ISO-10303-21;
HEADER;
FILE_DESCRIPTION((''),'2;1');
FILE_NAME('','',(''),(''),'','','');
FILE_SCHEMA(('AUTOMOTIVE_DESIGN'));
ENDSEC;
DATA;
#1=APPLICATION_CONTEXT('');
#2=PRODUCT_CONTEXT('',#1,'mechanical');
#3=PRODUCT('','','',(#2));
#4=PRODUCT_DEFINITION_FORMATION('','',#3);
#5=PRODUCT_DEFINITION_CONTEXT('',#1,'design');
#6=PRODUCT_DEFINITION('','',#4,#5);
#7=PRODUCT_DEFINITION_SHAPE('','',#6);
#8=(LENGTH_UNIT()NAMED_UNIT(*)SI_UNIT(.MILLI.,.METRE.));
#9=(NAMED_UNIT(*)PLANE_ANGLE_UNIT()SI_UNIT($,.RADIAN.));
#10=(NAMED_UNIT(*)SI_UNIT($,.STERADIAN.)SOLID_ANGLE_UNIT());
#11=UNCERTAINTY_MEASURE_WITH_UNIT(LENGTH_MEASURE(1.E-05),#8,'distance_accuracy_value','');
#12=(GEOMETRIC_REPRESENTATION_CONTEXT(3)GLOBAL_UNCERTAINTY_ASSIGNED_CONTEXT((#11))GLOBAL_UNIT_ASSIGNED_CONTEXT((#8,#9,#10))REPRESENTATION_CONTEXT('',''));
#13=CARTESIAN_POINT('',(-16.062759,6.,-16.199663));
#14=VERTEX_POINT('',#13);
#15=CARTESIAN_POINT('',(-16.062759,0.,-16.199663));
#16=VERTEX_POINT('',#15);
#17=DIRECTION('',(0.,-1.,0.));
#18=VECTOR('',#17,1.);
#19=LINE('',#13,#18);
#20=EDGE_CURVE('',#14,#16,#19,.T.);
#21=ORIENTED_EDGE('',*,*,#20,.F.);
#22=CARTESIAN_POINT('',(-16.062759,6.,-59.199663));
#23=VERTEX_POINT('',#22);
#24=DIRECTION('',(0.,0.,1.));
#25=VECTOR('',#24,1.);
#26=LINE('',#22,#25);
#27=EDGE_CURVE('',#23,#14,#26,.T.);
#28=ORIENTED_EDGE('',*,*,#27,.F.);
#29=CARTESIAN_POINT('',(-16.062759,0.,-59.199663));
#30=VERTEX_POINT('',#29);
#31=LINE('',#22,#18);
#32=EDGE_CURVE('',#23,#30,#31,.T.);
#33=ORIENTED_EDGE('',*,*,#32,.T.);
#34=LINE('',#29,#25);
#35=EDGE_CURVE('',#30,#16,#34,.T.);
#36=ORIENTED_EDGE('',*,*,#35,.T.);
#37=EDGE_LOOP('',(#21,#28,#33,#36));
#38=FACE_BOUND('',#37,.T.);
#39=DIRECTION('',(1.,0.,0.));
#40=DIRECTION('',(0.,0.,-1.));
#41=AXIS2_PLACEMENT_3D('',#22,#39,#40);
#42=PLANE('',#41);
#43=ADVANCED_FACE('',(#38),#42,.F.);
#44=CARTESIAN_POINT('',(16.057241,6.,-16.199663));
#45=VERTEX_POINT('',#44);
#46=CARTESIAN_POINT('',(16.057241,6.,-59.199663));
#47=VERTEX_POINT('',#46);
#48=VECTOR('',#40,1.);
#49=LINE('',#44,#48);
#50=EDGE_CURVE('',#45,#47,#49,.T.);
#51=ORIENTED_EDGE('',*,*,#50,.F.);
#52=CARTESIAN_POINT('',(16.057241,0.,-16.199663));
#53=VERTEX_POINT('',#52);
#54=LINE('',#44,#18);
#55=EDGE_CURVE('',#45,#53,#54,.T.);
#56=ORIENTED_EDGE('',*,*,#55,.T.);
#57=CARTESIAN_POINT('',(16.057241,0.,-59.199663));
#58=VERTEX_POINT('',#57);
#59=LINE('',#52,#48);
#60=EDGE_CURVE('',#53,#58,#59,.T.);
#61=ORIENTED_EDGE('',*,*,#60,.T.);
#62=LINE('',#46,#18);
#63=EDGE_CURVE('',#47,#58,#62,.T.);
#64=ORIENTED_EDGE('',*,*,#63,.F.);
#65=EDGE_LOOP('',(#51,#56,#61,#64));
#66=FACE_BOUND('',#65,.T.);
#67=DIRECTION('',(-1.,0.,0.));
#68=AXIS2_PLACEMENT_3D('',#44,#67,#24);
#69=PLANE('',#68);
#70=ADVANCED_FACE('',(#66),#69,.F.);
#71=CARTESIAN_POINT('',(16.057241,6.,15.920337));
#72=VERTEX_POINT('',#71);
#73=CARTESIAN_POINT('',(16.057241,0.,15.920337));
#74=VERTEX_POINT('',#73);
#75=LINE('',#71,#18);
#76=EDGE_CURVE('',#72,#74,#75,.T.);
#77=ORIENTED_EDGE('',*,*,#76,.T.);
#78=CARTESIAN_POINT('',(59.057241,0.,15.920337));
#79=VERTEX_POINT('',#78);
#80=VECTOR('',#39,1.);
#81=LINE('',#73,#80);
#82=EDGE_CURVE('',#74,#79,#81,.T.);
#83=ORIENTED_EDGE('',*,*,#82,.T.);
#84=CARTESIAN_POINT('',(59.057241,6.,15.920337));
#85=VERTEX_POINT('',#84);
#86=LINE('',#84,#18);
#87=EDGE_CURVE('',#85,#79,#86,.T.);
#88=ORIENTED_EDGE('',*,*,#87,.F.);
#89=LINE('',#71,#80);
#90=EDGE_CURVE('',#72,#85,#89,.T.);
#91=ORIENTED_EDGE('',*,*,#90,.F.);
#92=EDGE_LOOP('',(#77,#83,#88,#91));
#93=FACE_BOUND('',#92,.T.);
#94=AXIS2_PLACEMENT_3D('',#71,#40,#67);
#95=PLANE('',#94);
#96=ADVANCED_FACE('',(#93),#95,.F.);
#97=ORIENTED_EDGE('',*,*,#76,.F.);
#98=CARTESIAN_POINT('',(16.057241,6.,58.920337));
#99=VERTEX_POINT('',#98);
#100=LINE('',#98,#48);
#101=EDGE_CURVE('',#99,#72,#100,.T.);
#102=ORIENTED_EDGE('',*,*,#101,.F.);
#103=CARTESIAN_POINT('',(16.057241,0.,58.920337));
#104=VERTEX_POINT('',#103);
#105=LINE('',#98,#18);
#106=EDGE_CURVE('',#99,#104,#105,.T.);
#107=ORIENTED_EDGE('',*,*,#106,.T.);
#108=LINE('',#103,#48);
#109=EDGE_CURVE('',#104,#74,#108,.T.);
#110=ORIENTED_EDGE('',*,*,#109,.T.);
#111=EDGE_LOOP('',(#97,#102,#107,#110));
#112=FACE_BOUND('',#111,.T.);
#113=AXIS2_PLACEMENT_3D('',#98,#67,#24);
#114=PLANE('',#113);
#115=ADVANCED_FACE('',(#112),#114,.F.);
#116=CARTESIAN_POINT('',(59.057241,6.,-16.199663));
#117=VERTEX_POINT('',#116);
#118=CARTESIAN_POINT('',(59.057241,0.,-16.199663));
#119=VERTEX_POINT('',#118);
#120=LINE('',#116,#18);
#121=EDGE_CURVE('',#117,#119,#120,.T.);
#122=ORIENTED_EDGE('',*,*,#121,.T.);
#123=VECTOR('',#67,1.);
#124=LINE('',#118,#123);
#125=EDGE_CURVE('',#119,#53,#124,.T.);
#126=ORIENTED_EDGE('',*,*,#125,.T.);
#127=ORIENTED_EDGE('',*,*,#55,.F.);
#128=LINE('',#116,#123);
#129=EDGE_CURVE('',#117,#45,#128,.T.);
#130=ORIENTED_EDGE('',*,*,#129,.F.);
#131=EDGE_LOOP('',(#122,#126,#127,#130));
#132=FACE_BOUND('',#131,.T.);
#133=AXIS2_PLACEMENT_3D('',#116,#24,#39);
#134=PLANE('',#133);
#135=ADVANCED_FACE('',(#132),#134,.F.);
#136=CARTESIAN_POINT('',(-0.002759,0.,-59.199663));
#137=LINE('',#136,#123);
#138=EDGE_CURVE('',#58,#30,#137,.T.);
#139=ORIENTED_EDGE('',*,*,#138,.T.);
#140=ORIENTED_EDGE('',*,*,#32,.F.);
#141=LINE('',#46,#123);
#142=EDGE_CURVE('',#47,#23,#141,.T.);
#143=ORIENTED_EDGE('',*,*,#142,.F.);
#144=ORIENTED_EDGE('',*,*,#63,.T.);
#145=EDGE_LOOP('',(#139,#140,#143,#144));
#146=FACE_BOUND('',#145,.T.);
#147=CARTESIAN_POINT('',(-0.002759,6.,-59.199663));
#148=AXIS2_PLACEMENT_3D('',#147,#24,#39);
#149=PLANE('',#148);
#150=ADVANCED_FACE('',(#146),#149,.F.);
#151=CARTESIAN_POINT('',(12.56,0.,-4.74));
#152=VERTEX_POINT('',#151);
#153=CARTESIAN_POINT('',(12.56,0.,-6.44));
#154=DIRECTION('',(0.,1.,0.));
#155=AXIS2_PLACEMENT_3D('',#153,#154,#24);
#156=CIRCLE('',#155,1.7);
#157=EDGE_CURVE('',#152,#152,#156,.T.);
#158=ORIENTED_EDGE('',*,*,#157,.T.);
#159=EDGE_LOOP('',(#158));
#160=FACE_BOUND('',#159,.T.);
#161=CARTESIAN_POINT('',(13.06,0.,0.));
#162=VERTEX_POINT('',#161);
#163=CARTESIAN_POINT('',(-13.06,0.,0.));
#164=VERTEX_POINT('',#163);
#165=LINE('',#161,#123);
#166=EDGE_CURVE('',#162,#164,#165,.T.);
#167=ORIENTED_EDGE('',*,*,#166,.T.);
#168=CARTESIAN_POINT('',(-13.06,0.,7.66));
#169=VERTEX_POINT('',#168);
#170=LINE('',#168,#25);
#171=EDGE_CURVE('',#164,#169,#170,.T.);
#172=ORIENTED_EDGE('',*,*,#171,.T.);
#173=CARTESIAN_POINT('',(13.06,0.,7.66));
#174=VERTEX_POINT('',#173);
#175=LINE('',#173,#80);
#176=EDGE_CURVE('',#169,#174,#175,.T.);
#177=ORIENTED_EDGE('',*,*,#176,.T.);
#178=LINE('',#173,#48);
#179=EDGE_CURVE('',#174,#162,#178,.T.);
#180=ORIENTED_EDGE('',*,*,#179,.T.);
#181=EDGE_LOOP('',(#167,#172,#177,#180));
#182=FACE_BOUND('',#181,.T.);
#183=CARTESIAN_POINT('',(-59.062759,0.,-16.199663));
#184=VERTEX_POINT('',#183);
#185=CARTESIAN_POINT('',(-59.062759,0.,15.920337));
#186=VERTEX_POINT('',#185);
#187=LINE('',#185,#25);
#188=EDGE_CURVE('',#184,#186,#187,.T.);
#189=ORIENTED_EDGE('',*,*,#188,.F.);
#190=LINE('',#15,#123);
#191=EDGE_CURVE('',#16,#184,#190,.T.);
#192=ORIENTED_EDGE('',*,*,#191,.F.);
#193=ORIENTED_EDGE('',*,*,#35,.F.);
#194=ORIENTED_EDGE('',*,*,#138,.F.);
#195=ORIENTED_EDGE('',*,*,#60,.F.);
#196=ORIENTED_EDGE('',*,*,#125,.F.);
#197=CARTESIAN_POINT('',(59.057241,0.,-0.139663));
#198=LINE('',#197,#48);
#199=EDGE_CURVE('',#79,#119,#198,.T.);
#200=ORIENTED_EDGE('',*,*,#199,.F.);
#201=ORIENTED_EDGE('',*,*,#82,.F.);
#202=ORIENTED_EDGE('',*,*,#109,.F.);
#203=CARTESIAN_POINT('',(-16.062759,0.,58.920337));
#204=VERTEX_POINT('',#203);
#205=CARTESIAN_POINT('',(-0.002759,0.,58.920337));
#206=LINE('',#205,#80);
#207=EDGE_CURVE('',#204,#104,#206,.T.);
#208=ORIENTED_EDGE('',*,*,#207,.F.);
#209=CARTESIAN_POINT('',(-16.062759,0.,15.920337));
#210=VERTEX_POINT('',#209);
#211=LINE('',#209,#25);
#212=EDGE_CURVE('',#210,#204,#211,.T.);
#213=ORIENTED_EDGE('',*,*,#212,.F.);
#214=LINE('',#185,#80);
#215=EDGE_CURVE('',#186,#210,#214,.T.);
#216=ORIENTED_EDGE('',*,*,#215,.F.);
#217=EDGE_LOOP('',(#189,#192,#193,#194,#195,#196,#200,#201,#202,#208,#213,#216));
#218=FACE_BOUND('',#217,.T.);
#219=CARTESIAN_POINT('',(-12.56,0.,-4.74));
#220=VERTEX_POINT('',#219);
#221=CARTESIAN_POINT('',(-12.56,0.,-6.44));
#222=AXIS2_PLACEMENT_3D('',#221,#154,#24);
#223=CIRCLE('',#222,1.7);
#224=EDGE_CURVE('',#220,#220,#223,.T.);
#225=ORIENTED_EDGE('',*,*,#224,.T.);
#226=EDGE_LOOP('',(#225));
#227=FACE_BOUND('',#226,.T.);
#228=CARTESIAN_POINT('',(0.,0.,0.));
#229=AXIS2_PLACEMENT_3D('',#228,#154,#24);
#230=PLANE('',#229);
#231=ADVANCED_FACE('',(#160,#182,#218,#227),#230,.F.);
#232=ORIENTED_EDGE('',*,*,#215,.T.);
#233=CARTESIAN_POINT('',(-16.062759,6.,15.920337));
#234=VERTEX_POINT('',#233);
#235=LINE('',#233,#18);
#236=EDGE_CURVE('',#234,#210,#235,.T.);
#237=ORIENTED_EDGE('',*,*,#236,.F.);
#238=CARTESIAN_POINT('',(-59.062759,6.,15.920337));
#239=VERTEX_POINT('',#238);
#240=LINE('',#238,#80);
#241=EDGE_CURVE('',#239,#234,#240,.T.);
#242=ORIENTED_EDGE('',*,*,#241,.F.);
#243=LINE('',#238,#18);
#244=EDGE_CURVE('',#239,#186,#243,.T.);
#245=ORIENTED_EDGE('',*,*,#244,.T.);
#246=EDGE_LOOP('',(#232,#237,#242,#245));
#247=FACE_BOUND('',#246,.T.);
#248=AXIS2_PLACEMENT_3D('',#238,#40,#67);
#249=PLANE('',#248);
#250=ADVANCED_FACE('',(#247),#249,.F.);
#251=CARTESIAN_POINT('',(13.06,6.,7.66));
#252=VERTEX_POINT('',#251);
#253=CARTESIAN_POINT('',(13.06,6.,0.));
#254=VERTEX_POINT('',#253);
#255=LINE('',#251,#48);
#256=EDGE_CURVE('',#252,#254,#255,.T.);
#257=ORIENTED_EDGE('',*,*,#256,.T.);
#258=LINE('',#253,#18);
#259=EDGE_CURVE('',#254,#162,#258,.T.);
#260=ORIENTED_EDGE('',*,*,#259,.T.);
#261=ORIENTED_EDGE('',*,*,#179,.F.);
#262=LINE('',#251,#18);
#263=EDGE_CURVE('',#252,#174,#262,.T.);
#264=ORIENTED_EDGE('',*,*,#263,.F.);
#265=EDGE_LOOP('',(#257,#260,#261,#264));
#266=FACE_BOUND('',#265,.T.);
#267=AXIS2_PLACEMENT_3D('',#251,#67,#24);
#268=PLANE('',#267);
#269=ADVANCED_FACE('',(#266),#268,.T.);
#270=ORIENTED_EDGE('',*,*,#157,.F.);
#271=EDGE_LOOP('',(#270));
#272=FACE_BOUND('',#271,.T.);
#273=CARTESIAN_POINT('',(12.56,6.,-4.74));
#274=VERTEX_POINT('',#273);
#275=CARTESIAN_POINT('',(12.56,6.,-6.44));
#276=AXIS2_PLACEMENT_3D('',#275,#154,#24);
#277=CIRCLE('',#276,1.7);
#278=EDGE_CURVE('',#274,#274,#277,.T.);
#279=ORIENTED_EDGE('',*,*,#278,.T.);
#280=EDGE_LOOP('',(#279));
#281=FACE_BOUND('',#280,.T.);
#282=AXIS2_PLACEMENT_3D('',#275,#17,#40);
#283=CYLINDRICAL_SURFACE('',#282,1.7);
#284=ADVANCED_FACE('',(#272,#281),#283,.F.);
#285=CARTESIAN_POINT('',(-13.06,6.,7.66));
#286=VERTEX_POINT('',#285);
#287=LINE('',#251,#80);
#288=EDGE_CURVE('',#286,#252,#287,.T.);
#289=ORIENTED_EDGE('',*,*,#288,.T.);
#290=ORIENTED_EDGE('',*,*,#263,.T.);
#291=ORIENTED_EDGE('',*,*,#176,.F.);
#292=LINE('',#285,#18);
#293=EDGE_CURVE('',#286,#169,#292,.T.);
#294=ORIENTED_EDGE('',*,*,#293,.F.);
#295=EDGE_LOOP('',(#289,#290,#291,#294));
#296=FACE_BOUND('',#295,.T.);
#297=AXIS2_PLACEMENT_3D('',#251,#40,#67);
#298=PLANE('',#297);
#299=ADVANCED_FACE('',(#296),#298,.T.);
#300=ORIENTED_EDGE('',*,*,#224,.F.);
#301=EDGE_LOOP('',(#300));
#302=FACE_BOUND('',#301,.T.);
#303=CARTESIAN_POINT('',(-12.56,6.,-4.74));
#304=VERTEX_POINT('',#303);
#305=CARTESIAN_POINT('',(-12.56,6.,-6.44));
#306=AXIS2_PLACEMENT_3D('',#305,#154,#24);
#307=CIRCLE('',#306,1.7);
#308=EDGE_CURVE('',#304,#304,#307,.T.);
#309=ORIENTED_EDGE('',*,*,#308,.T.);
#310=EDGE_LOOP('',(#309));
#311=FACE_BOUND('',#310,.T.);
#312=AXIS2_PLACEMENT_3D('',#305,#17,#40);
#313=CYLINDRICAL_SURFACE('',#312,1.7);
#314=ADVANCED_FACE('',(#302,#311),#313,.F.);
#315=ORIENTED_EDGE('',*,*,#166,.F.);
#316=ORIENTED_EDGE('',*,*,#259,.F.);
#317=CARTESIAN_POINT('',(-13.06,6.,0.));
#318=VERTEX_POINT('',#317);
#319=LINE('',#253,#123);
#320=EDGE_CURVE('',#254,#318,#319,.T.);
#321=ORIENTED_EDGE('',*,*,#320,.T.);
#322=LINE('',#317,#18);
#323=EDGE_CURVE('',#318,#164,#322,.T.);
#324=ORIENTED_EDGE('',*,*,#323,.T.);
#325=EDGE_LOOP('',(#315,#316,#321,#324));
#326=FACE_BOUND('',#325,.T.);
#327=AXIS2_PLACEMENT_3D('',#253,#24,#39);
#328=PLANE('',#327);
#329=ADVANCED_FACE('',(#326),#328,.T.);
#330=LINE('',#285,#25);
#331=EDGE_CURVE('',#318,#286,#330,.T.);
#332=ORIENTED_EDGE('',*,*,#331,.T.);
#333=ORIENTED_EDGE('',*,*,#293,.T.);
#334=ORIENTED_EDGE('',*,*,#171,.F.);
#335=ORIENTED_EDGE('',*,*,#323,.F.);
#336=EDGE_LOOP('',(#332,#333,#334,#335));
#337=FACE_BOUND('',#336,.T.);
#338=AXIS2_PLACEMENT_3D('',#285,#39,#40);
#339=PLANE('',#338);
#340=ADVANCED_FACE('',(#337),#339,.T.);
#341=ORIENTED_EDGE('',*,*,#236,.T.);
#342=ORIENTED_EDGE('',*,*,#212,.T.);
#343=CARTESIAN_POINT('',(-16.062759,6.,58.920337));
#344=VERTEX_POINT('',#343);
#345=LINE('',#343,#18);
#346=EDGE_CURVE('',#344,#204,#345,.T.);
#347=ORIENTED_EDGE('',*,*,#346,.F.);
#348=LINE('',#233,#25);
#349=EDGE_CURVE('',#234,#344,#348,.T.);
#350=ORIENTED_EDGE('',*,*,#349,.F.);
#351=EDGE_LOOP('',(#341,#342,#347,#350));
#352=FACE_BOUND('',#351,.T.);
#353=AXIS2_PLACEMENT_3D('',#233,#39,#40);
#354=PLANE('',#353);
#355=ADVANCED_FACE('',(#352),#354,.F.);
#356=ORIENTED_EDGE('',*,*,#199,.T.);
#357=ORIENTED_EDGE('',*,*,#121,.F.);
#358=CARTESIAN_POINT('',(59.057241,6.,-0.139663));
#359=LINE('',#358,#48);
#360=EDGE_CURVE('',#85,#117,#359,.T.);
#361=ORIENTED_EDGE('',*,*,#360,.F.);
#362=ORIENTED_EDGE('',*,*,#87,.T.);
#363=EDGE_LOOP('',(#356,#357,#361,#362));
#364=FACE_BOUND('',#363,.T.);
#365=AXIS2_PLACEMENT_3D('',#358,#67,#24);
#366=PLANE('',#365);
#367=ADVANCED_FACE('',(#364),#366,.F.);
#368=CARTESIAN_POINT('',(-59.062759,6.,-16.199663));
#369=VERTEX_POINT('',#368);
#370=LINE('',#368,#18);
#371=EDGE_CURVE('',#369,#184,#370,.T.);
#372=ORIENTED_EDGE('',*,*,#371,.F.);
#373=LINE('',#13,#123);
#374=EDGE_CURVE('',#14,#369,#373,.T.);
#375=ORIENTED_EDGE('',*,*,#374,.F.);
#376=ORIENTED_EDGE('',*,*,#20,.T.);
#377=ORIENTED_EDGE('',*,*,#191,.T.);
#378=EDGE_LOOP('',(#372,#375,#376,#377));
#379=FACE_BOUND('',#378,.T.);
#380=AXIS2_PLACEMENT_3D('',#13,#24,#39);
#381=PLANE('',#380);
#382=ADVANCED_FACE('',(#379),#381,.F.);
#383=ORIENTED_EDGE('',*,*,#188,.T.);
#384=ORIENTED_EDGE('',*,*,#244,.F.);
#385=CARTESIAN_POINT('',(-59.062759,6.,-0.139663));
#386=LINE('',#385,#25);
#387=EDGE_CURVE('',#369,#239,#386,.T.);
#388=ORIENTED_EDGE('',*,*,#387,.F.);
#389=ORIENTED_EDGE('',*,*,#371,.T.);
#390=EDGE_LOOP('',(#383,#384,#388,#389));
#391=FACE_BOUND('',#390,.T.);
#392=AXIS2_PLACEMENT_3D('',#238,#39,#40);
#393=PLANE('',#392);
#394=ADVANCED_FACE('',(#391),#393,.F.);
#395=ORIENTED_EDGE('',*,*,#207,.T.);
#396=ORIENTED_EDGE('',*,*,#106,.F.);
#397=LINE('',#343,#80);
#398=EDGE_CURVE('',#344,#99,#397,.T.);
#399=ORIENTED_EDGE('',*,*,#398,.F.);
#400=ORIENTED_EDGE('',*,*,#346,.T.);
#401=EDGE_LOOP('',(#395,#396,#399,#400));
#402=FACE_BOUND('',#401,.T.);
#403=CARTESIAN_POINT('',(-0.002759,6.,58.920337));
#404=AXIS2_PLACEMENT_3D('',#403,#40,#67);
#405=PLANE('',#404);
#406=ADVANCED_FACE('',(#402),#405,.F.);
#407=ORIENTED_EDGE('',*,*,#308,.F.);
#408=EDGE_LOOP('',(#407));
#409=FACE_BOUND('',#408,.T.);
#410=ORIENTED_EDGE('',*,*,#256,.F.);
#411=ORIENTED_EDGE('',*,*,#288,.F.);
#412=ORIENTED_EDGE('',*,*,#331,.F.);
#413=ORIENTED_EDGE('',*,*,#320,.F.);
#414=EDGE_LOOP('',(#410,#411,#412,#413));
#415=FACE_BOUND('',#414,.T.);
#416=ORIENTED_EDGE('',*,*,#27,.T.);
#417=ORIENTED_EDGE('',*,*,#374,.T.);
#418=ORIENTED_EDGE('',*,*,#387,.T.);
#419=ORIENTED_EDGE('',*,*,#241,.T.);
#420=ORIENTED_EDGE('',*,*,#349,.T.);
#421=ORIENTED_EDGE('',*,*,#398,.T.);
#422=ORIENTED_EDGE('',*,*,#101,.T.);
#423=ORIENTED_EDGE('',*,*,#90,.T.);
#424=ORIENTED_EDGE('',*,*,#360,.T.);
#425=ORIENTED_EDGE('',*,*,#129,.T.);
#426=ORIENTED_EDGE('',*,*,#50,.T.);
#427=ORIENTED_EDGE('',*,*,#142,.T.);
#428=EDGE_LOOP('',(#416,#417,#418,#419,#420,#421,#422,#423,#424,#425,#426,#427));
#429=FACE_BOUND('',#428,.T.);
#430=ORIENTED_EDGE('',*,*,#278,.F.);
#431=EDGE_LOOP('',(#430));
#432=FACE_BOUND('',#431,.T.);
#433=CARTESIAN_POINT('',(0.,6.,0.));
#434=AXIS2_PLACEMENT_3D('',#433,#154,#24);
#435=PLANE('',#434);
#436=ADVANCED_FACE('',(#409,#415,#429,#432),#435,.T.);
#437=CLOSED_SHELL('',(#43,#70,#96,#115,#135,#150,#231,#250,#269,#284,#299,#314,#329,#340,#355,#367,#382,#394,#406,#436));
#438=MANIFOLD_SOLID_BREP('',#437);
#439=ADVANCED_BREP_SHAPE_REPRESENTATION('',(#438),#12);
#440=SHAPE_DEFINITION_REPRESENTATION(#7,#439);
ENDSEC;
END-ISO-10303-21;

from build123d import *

# Parameters (mm, degrees)
SKETCH21_R           = 1.7
SKETCH21_W           = 26.12
SKETCH21_H           = 7.66
BOSS_EXTRUDE18_DEPTH = 6


with BuildPart() as part:
    # Sketch21 → Boss-Extrude18 (new body)
    with BuildSketch(Plane(origin=(0, 0, 0), x_dir=(1, 0, 0), z_dir=(0, 1, 0))):
        Polygon((-0.002759086, 59.199662961), (-16.062759086, 59.199662961), (-16.062759086, 16.199662961), (-59.062759086, 16.199662961), (-59.062759086, 0.139662961), (-59.062759086, -15.920337039), (-16.062759086, -15.920337039), (-16.062759086, -58.920337039), (-0.002759086, -58.920337039), (16.057240914, -58.920337039), (16.057240914, -15.920337039), (59.057240914, -15.920337039), (59.057240914, 0.139662961), (59.057240914, 16.199662961), (16.057240914, 16.199662961), (16.057240914, 59.199662961), align=None)
        with Locations(Location((-12.56, 6.44, 0), (0, 0, 270))):
            Circle(SKETCH21_R, mode=Mode.SUBTRACT)
        with Locations(Location((12.56, 6.44, 0), (0, 0, 270))):
            Circle(SKETCH21_R, mode=Mode.SUBTRACT)
        with Locations((0, -3.83)):
            Rectangle(SKETCH21_W, SKETCH21_H, mode=Mode.SUBTRACT)
    extrude(amount=BOSS_EXTRUDE18_DEPTH)


solid = part.part
